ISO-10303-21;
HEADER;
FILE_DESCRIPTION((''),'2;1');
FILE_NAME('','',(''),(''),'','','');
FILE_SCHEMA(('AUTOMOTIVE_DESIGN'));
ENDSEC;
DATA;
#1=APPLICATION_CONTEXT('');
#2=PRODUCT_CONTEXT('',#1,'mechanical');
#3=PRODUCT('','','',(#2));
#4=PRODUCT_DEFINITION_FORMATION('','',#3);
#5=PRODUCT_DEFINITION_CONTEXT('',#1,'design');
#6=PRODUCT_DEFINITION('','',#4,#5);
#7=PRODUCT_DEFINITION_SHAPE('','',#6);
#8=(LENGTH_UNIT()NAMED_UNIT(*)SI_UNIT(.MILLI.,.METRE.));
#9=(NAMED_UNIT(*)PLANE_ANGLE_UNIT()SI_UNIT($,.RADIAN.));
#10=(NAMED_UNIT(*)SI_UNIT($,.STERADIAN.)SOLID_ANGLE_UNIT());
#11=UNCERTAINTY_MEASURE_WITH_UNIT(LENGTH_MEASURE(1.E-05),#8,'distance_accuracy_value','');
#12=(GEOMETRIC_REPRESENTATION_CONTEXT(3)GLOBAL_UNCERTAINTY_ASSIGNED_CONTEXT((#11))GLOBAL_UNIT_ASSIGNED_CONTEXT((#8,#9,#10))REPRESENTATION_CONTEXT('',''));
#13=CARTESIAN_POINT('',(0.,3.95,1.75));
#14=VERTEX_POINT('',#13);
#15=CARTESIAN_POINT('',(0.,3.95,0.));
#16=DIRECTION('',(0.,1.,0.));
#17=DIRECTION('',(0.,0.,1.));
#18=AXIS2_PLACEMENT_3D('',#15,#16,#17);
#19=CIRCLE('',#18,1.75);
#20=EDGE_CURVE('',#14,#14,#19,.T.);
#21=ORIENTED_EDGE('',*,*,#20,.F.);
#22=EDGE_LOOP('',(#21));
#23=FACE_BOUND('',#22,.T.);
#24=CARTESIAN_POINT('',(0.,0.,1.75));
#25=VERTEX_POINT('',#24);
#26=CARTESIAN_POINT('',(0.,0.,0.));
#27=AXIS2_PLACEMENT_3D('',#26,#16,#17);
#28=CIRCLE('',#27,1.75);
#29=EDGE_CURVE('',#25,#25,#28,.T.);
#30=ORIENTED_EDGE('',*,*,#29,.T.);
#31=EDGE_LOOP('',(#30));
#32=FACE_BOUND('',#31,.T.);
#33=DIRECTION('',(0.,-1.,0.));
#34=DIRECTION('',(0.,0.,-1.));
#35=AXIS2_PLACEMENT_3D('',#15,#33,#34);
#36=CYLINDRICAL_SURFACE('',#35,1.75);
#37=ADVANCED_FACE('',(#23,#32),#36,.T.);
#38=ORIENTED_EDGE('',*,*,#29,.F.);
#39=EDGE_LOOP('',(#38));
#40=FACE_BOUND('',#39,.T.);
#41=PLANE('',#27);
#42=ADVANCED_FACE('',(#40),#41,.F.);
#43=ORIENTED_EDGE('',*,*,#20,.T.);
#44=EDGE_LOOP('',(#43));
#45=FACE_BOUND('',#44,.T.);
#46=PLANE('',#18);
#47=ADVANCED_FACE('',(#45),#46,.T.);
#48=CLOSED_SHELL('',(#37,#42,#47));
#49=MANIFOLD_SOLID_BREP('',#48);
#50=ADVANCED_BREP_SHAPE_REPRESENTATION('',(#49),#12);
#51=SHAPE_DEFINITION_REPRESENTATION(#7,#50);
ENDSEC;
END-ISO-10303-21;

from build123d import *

# Parameters (mm, degrees)
ESQUISSE1_R        = 1.75
BOSS_EXTRU_1_DEPTH = 3.95


with BuildPart() as part:
    # Esquisse1 → Boss.-Extru.1 (new body)
    with BuildSketch(Plane(origin=(0, 0, 0), x_dir=(1, 0, 0), z_dir=(0, 1, 0))):
        with Locations(Location((0, 0, 0), (0, 0, 270))):
            Circle(ESQUISSE1_R)
    extrude(amount=BOSS_EXTRU_1_DEPTH)


solid = part.part
